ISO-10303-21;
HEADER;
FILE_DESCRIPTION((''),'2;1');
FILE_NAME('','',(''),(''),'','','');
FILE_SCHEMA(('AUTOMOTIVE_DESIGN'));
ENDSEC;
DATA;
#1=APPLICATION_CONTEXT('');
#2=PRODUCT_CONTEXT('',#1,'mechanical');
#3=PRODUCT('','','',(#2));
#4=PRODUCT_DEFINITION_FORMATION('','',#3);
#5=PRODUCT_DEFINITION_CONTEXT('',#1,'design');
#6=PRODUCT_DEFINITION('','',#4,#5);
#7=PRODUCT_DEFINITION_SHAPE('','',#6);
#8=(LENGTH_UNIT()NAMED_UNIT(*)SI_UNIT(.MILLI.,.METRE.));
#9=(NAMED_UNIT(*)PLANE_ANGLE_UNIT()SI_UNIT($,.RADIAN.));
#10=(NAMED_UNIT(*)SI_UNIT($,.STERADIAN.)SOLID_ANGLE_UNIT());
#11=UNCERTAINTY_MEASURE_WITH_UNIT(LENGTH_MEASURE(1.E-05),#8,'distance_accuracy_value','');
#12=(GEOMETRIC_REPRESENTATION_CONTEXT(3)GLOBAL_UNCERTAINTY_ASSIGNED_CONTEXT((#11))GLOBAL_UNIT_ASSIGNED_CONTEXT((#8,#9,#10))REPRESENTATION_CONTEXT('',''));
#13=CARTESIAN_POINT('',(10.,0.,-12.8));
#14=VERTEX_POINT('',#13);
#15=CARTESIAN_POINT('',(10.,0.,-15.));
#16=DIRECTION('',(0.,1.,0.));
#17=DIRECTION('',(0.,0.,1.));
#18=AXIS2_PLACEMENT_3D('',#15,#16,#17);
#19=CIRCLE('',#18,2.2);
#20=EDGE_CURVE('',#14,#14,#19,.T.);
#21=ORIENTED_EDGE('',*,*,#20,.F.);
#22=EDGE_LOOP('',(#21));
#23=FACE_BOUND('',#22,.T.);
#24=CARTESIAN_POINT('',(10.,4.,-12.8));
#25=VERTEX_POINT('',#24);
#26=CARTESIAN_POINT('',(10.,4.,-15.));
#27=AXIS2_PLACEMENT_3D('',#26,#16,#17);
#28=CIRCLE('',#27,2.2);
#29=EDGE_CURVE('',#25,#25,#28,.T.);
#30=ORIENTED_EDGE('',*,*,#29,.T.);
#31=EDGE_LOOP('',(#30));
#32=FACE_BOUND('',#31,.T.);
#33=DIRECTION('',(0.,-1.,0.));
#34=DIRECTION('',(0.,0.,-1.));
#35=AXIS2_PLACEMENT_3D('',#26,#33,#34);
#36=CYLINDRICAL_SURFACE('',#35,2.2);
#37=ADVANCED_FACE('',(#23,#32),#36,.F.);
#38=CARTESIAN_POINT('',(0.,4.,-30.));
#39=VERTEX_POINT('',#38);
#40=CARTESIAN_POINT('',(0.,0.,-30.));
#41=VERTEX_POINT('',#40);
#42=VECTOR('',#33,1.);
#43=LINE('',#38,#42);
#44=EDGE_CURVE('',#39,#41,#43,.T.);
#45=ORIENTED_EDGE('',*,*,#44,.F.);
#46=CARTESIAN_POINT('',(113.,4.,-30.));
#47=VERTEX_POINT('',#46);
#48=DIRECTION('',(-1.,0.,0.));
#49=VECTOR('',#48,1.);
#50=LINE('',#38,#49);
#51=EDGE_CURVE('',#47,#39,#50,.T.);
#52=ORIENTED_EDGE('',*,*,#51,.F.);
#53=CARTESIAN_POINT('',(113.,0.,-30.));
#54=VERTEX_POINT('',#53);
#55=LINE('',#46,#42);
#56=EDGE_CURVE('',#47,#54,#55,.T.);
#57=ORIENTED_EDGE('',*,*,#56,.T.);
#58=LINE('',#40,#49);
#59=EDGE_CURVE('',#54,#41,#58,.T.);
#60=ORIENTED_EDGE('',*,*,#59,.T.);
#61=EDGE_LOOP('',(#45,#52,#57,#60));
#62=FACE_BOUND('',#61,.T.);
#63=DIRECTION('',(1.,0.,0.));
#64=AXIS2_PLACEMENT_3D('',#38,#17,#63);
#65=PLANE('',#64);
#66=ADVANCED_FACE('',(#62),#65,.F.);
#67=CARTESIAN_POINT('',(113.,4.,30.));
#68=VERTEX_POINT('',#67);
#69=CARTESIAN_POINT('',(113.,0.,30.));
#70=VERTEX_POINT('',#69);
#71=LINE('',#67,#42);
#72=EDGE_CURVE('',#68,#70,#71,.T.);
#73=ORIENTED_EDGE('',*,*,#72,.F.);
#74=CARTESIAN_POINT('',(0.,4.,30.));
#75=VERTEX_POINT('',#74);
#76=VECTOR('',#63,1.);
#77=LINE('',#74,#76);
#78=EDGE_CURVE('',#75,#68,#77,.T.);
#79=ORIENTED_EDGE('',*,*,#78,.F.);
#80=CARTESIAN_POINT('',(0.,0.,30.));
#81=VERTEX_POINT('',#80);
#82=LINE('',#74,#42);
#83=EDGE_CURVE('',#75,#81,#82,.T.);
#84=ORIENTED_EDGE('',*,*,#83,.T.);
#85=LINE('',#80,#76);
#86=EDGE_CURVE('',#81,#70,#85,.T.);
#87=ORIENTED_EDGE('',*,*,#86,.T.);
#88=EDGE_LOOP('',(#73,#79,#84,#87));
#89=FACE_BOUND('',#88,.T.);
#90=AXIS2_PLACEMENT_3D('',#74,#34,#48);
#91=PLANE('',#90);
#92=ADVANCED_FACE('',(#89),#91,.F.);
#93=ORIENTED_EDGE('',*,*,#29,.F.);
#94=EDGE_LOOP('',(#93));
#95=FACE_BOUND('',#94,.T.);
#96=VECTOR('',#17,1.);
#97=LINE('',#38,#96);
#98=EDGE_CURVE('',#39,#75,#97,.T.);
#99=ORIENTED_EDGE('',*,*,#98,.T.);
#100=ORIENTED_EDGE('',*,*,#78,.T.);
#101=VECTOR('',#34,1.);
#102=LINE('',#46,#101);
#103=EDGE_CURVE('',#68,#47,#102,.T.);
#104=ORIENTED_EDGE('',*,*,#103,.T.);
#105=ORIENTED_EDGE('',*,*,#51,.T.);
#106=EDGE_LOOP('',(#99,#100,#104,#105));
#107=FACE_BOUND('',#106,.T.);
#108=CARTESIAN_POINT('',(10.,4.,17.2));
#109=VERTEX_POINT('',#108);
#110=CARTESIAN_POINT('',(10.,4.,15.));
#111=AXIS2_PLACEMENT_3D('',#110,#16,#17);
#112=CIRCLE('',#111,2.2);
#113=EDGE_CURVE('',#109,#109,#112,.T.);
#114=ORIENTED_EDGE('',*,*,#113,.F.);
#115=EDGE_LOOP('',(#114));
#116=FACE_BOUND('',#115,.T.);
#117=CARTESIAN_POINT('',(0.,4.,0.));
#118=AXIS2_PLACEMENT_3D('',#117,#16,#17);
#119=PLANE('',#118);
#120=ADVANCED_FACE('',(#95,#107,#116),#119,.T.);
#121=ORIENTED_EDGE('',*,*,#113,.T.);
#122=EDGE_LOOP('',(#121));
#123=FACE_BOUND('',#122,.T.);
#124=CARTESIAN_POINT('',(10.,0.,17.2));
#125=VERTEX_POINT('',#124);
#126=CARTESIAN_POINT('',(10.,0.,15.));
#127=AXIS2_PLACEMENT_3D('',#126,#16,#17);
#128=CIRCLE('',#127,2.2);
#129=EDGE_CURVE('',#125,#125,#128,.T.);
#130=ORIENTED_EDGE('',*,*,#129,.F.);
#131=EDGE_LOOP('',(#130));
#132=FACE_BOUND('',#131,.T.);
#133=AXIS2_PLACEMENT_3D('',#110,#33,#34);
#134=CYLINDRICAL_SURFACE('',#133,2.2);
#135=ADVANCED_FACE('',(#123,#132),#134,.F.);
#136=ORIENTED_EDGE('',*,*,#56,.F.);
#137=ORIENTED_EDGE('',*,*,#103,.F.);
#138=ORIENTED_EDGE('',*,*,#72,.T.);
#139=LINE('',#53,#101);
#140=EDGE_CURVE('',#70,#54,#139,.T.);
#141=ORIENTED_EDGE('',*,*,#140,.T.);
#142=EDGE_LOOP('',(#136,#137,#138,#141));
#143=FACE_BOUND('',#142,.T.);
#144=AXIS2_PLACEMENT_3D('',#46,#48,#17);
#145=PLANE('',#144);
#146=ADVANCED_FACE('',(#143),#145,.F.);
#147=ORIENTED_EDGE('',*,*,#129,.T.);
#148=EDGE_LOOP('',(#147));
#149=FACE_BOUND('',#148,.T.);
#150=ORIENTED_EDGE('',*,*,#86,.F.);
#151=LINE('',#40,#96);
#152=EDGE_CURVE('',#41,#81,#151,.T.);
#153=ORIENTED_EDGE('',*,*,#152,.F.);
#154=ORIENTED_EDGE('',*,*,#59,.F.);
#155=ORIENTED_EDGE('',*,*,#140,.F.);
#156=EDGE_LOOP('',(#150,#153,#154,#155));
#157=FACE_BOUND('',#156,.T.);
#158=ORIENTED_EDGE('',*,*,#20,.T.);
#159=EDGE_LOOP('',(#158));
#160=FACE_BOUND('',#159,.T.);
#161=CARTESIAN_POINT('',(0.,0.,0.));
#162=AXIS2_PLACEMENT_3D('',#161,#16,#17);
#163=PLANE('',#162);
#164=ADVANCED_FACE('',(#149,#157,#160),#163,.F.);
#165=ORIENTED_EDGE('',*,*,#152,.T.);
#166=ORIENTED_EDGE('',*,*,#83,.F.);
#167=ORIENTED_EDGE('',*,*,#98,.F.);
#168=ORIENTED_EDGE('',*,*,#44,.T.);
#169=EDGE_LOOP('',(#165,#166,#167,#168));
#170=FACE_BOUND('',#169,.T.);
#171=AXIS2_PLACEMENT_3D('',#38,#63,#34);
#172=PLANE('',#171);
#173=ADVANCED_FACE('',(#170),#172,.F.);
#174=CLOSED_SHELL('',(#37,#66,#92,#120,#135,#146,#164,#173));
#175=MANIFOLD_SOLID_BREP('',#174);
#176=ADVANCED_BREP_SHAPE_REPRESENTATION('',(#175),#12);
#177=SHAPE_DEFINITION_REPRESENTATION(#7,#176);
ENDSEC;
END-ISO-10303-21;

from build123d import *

# Parameters (mm, degrees)
SKETCH1_W           = 113
SKETCH1_H           = 60
SKETCH1_R           = 2.2
BOSS_EXTRUDE1_DEPTH = 4


with BuildPart() as part:
    # Sketch1 → Boss-Extrude1 (new body)
    with BuildSketch(Plane(origin=(0, 0, 0), x_dir=(1, 0, 0), z_dir=(0, 1, 0))):
        with Locations((56.5, 0)):
            Rectangle(SKETCH1_W, SKETCH1_H)
        with Locations((10, 15)):
            Circle(SKETCH1_R, mode=Mode.SUBTRACT)
        with Locations((10, -15)):
            Circle(SKETCH1_R, mode=Mode.SUBTRACT)
    extrude(amount=BOSS_EXTRUDE1_DEPTH)


solid = part.part
